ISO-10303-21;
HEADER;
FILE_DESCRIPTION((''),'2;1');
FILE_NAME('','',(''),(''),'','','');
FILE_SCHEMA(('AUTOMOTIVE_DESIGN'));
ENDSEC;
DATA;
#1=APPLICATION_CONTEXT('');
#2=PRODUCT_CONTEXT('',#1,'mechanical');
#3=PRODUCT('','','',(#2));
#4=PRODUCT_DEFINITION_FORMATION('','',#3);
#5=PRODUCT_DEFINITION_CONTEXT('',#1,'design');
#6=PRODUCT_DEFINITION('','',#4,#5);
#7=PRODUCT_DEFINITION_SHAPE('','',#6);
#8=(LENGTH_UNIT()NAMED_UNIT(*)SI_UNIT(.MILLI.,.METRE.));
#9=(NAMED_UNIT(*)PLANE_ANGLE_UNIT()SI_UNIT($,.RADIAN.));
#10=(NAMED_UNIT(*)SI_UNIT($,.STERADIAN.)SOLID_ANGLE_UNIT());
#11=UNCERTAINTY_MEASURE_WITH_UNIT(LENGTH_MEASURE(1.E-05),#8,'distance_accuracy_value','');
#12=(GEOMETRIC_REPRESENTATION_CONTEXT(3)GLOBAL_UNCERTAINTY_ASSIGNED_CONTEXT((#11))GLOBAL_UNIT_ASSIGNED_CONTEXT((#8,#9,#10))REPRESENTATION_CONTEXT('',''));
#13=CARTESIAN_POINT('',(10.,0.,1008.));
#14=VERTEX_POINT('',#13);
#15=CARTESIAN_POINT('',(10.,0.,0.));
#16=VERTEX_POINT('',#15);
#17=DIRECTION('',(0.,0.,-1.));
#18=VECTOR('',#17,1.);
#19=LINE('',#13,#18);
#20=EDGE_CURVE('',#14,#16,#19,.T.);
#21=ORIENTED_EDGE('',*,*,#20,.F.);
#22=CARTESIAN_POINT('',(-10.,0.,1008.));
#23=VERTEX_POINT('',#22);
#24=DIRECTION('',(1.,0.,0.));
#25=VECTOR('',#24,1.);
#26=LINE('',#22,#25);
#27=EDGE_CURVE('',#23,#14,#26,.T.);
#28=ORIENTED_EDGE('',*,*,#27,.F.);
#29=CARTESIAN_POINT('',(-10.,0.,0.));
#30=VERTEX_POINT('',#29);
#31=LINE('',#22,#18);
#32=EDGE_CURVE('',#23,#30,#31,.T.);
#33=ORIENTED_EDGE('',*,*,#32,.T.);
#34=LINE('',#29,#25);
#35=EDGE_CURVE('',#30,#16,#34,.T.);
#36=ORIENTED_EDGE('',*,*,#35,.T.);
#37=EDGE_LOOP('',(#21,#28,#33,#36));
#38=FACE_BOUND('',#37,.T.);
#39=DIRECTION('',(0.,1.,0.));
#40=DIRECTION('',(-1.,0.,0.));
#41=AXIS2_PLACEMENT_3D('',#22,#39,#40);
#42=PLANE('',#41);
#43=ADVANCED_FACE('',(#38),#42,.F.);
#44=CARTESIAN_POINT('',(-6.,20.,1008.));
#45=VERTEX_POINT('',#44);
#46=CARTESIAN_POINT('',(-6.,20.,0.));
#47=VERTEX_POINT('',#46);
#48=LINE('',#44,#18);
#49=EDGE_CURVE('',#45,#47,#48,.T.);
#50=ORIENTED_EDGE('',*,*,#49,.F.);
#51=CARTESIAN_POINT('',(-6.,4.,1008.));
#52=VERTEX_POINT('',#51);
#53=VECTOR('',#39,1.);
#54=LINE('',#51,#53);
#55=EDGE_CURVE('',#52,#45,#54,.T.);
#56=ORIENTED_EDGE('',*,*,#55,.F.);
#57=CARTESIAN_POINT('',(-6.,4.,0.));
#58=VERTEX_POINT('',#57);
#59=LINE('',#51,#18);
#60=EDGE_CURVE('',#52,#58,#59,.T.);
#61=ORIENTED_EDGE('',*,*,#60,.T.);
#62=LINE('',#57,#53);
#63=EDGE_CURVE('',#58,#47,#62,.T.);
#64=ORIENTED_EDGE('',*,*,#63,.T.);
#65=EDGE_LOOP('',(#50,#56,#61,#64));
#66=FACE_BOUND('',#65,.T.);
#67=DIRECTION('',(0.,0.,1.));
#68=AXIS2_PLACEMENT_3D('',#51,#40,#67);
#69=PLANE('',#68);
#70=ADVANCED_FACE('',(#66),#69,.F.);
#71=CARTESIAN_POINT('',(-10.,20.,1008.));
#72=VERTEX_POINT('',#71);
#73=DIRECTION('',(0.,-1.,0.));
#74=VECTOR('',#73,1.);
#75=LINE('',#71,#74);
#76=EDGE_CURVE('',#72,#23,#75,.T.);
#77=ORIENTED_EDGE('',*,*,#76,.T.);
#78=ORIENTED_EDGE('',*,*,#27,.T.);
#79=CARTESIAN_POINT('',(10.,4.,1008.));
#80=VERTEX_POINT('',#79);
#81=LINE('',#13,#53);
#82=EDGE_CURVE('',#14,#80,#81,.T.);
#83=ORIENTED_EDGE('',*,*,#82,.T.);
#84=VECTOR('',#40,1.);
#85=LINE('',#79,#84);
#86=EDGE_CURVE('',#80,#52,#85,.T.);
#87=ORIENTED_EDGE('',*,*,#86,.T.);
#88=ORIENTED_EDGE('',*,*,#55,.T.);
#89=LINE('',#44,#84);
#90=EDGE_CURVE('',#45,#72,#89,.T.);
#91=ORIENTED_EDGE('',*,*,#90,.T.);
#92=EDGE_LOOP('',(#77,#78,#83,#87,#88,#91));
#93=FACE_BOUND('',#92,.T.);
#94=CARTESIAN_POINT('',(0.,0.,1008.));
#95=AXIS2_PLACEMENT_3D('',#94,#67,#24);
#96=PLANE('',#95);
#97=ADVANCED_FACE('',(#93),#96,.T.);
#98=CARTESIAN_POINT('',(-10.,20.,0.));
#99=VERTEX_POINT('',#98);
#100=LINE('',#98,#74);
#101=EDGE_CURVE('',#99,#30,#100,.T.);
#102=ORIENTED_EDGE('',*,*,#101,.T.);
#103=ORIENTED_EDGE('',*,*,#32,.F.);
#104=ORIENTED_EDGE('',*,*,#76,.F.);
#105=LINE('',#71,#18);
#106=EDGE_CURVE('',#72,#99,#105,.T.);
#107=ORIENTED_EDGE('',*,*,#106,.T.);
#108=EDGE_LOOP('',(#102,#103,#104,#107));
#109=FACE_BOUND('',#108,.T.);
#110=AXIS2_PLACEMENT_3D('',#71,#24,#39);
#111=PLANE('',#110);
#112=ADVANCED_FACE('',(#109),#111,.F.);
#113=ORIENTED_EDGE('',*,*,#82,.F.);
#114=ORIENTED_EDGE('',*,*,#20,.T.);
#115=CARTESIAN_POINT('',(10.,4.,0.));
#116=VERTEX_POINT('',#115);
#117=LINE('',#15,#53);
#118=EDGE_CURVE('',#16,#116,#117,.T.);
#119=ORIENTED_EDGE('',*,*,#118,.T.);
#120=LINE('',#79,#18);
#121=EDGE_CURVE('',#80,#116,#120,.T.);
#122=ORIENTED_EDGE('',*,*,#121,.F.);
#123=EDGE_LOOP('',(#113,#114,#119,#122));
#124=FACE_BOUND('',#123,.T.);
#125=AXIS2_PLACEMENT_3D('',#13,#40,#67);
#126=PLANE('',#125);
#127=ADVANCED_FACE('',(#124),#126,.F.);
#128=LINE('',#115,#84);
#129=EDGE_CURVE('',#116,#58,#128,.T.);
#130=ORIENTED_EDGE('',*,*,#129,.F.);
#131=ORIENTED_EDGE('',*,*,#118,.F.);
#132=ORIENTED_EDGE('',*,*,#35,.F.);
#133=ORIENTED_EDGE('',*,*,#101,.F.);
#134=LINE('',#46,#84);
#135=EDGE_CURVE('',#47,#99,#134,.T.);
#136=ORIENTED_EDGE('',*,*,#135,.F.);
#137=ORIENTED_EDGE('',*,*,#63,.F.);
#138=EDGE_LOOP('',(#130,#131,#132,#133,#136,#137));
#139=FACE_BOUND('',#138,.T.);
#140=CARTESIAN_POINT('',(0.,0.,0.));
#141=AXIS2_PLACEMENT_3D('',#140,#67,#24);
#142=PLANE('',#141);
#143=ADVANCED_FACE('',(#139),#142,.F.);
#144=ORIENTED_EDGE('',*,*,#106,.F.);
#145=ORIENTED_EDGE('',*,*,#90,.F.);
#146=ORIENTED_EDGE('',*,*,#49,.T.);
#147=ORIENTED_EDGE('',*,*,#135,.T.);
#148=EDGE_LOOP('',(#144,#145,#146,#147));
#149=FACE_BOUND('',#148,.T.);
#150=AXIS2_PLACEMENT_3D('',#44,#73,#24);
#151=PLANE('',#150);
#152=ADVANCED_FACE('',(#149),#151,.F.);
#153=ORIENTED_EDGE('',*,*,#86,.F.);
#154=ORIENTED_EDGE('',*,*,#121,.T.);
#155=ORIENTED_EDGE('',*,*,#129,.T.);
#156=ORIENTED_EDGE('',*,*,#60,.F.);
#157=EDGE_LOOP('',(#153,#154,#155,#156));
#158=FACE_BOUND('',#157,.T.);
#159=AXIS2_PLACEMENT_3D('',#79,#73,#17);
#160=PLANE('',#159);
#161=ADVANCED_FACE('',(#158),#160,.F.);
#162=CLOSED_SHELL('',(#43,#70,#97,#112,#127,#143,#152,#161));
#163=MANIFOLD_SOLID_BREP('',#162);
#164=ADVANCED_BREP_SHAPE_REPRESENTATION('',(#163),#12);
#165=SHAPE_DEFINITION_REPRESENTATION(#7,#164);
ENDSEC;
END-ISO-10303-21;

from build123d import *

# Parameters (mm, degrees)
EXTRUDE_1_DEPTH = 1008


with BuildPart() as part:
    # Эскиз1 → Бобышка-Вытянуть1 (new body)
    with BuildSketch(Plane.XY):
        Polygon((-10, 20), (-10, 0), (10, 0), (10, 4), (-6, 4), (-6, 20), align=None)
    extrude(amount=EXTRUDE_1_DEPTH)


solid = part.part
